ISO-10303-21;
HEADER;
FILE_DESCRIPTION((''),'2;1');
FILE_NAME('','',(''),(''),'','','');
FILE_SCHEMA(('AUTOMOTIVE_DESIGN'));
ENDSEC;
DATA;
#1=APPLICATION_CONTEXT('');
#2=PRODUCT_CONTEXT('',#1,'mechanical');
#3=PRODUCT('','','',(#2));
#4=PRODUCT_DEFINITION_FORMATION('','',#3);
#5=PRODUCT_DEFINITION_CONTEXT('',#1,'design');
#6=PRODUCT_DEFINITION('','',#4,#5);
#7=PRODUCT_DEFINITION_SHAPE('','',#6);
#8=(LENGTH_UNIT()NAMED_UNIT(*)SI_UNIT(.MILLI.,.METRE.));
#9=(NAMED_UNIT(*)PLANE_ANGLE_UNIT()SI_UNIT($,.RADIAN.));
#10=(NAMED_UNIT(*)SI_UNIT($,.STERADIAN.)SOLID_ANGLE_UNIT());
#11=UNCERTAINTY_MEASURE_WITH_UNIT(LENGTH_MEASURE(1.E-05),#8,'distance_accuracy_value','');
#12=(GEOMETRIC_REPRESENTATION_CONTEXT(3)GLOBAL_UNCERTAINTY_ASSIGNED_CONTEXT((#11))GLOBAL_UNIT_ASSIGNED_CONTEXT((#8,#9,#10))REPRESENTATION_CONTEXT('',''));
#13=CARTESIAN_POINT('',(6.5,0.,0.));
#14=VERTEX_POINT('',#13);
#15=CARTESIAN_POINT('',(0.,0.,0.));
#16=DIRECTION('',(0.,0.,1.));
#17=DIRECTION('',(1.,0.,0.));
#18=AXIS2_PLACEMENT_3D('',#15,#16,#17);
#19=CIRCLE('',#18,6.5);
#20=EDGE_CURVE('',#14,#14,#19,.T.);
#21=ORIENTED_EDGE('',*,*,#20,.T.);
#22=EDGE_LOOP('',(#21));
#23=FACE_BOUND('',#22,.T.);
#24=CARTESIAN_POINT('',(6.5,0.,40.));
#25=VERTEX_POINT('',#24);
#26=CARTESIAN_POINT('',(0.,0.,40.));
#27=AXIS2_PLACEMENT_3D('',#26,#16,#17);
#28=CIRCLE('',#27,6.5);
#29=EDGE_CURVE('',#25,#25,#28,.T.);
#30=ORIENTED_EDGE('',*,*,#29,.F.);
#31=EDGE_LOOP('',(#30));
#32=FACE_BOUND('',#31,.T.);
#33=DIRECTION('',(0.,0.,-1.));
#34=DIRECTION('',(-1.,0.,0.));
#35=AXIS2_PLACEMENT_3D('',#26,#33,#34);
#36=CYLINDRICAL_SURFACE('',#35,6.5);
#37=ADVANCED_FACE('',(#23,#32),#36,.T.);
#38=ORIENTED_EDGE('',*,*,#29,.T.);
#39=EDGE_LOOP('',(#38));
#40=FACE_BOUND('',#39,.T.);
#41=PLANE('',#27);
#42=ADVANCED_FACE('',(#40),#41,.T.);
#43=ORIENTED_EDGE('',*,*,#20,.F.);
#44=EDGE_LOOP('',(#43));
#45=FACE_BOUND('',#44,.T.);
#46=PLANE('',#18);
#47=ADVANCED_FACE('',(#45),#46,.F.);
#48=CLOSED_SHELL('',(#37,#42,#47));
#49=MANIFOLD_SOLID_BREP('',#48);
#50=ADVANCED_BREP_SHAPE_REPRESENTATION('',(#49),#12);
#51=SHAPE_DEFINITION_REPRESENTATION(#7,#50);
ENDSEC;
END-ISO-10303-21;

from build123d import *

# Parameters (mm, degrees)
SKETCH1_R           = 6.5
BOSS_EXTRUDE1_DEPTH = 40


with BuildPart() as part:
    # Sketch1 → Boss-Extrude1 (new body)
    with BuildSketch(Plane.XY):
        Circle(SKETCH1_R)
    extrude(amount=BOSS_EXTRUDE1_DEPTH)


solid = part.part
